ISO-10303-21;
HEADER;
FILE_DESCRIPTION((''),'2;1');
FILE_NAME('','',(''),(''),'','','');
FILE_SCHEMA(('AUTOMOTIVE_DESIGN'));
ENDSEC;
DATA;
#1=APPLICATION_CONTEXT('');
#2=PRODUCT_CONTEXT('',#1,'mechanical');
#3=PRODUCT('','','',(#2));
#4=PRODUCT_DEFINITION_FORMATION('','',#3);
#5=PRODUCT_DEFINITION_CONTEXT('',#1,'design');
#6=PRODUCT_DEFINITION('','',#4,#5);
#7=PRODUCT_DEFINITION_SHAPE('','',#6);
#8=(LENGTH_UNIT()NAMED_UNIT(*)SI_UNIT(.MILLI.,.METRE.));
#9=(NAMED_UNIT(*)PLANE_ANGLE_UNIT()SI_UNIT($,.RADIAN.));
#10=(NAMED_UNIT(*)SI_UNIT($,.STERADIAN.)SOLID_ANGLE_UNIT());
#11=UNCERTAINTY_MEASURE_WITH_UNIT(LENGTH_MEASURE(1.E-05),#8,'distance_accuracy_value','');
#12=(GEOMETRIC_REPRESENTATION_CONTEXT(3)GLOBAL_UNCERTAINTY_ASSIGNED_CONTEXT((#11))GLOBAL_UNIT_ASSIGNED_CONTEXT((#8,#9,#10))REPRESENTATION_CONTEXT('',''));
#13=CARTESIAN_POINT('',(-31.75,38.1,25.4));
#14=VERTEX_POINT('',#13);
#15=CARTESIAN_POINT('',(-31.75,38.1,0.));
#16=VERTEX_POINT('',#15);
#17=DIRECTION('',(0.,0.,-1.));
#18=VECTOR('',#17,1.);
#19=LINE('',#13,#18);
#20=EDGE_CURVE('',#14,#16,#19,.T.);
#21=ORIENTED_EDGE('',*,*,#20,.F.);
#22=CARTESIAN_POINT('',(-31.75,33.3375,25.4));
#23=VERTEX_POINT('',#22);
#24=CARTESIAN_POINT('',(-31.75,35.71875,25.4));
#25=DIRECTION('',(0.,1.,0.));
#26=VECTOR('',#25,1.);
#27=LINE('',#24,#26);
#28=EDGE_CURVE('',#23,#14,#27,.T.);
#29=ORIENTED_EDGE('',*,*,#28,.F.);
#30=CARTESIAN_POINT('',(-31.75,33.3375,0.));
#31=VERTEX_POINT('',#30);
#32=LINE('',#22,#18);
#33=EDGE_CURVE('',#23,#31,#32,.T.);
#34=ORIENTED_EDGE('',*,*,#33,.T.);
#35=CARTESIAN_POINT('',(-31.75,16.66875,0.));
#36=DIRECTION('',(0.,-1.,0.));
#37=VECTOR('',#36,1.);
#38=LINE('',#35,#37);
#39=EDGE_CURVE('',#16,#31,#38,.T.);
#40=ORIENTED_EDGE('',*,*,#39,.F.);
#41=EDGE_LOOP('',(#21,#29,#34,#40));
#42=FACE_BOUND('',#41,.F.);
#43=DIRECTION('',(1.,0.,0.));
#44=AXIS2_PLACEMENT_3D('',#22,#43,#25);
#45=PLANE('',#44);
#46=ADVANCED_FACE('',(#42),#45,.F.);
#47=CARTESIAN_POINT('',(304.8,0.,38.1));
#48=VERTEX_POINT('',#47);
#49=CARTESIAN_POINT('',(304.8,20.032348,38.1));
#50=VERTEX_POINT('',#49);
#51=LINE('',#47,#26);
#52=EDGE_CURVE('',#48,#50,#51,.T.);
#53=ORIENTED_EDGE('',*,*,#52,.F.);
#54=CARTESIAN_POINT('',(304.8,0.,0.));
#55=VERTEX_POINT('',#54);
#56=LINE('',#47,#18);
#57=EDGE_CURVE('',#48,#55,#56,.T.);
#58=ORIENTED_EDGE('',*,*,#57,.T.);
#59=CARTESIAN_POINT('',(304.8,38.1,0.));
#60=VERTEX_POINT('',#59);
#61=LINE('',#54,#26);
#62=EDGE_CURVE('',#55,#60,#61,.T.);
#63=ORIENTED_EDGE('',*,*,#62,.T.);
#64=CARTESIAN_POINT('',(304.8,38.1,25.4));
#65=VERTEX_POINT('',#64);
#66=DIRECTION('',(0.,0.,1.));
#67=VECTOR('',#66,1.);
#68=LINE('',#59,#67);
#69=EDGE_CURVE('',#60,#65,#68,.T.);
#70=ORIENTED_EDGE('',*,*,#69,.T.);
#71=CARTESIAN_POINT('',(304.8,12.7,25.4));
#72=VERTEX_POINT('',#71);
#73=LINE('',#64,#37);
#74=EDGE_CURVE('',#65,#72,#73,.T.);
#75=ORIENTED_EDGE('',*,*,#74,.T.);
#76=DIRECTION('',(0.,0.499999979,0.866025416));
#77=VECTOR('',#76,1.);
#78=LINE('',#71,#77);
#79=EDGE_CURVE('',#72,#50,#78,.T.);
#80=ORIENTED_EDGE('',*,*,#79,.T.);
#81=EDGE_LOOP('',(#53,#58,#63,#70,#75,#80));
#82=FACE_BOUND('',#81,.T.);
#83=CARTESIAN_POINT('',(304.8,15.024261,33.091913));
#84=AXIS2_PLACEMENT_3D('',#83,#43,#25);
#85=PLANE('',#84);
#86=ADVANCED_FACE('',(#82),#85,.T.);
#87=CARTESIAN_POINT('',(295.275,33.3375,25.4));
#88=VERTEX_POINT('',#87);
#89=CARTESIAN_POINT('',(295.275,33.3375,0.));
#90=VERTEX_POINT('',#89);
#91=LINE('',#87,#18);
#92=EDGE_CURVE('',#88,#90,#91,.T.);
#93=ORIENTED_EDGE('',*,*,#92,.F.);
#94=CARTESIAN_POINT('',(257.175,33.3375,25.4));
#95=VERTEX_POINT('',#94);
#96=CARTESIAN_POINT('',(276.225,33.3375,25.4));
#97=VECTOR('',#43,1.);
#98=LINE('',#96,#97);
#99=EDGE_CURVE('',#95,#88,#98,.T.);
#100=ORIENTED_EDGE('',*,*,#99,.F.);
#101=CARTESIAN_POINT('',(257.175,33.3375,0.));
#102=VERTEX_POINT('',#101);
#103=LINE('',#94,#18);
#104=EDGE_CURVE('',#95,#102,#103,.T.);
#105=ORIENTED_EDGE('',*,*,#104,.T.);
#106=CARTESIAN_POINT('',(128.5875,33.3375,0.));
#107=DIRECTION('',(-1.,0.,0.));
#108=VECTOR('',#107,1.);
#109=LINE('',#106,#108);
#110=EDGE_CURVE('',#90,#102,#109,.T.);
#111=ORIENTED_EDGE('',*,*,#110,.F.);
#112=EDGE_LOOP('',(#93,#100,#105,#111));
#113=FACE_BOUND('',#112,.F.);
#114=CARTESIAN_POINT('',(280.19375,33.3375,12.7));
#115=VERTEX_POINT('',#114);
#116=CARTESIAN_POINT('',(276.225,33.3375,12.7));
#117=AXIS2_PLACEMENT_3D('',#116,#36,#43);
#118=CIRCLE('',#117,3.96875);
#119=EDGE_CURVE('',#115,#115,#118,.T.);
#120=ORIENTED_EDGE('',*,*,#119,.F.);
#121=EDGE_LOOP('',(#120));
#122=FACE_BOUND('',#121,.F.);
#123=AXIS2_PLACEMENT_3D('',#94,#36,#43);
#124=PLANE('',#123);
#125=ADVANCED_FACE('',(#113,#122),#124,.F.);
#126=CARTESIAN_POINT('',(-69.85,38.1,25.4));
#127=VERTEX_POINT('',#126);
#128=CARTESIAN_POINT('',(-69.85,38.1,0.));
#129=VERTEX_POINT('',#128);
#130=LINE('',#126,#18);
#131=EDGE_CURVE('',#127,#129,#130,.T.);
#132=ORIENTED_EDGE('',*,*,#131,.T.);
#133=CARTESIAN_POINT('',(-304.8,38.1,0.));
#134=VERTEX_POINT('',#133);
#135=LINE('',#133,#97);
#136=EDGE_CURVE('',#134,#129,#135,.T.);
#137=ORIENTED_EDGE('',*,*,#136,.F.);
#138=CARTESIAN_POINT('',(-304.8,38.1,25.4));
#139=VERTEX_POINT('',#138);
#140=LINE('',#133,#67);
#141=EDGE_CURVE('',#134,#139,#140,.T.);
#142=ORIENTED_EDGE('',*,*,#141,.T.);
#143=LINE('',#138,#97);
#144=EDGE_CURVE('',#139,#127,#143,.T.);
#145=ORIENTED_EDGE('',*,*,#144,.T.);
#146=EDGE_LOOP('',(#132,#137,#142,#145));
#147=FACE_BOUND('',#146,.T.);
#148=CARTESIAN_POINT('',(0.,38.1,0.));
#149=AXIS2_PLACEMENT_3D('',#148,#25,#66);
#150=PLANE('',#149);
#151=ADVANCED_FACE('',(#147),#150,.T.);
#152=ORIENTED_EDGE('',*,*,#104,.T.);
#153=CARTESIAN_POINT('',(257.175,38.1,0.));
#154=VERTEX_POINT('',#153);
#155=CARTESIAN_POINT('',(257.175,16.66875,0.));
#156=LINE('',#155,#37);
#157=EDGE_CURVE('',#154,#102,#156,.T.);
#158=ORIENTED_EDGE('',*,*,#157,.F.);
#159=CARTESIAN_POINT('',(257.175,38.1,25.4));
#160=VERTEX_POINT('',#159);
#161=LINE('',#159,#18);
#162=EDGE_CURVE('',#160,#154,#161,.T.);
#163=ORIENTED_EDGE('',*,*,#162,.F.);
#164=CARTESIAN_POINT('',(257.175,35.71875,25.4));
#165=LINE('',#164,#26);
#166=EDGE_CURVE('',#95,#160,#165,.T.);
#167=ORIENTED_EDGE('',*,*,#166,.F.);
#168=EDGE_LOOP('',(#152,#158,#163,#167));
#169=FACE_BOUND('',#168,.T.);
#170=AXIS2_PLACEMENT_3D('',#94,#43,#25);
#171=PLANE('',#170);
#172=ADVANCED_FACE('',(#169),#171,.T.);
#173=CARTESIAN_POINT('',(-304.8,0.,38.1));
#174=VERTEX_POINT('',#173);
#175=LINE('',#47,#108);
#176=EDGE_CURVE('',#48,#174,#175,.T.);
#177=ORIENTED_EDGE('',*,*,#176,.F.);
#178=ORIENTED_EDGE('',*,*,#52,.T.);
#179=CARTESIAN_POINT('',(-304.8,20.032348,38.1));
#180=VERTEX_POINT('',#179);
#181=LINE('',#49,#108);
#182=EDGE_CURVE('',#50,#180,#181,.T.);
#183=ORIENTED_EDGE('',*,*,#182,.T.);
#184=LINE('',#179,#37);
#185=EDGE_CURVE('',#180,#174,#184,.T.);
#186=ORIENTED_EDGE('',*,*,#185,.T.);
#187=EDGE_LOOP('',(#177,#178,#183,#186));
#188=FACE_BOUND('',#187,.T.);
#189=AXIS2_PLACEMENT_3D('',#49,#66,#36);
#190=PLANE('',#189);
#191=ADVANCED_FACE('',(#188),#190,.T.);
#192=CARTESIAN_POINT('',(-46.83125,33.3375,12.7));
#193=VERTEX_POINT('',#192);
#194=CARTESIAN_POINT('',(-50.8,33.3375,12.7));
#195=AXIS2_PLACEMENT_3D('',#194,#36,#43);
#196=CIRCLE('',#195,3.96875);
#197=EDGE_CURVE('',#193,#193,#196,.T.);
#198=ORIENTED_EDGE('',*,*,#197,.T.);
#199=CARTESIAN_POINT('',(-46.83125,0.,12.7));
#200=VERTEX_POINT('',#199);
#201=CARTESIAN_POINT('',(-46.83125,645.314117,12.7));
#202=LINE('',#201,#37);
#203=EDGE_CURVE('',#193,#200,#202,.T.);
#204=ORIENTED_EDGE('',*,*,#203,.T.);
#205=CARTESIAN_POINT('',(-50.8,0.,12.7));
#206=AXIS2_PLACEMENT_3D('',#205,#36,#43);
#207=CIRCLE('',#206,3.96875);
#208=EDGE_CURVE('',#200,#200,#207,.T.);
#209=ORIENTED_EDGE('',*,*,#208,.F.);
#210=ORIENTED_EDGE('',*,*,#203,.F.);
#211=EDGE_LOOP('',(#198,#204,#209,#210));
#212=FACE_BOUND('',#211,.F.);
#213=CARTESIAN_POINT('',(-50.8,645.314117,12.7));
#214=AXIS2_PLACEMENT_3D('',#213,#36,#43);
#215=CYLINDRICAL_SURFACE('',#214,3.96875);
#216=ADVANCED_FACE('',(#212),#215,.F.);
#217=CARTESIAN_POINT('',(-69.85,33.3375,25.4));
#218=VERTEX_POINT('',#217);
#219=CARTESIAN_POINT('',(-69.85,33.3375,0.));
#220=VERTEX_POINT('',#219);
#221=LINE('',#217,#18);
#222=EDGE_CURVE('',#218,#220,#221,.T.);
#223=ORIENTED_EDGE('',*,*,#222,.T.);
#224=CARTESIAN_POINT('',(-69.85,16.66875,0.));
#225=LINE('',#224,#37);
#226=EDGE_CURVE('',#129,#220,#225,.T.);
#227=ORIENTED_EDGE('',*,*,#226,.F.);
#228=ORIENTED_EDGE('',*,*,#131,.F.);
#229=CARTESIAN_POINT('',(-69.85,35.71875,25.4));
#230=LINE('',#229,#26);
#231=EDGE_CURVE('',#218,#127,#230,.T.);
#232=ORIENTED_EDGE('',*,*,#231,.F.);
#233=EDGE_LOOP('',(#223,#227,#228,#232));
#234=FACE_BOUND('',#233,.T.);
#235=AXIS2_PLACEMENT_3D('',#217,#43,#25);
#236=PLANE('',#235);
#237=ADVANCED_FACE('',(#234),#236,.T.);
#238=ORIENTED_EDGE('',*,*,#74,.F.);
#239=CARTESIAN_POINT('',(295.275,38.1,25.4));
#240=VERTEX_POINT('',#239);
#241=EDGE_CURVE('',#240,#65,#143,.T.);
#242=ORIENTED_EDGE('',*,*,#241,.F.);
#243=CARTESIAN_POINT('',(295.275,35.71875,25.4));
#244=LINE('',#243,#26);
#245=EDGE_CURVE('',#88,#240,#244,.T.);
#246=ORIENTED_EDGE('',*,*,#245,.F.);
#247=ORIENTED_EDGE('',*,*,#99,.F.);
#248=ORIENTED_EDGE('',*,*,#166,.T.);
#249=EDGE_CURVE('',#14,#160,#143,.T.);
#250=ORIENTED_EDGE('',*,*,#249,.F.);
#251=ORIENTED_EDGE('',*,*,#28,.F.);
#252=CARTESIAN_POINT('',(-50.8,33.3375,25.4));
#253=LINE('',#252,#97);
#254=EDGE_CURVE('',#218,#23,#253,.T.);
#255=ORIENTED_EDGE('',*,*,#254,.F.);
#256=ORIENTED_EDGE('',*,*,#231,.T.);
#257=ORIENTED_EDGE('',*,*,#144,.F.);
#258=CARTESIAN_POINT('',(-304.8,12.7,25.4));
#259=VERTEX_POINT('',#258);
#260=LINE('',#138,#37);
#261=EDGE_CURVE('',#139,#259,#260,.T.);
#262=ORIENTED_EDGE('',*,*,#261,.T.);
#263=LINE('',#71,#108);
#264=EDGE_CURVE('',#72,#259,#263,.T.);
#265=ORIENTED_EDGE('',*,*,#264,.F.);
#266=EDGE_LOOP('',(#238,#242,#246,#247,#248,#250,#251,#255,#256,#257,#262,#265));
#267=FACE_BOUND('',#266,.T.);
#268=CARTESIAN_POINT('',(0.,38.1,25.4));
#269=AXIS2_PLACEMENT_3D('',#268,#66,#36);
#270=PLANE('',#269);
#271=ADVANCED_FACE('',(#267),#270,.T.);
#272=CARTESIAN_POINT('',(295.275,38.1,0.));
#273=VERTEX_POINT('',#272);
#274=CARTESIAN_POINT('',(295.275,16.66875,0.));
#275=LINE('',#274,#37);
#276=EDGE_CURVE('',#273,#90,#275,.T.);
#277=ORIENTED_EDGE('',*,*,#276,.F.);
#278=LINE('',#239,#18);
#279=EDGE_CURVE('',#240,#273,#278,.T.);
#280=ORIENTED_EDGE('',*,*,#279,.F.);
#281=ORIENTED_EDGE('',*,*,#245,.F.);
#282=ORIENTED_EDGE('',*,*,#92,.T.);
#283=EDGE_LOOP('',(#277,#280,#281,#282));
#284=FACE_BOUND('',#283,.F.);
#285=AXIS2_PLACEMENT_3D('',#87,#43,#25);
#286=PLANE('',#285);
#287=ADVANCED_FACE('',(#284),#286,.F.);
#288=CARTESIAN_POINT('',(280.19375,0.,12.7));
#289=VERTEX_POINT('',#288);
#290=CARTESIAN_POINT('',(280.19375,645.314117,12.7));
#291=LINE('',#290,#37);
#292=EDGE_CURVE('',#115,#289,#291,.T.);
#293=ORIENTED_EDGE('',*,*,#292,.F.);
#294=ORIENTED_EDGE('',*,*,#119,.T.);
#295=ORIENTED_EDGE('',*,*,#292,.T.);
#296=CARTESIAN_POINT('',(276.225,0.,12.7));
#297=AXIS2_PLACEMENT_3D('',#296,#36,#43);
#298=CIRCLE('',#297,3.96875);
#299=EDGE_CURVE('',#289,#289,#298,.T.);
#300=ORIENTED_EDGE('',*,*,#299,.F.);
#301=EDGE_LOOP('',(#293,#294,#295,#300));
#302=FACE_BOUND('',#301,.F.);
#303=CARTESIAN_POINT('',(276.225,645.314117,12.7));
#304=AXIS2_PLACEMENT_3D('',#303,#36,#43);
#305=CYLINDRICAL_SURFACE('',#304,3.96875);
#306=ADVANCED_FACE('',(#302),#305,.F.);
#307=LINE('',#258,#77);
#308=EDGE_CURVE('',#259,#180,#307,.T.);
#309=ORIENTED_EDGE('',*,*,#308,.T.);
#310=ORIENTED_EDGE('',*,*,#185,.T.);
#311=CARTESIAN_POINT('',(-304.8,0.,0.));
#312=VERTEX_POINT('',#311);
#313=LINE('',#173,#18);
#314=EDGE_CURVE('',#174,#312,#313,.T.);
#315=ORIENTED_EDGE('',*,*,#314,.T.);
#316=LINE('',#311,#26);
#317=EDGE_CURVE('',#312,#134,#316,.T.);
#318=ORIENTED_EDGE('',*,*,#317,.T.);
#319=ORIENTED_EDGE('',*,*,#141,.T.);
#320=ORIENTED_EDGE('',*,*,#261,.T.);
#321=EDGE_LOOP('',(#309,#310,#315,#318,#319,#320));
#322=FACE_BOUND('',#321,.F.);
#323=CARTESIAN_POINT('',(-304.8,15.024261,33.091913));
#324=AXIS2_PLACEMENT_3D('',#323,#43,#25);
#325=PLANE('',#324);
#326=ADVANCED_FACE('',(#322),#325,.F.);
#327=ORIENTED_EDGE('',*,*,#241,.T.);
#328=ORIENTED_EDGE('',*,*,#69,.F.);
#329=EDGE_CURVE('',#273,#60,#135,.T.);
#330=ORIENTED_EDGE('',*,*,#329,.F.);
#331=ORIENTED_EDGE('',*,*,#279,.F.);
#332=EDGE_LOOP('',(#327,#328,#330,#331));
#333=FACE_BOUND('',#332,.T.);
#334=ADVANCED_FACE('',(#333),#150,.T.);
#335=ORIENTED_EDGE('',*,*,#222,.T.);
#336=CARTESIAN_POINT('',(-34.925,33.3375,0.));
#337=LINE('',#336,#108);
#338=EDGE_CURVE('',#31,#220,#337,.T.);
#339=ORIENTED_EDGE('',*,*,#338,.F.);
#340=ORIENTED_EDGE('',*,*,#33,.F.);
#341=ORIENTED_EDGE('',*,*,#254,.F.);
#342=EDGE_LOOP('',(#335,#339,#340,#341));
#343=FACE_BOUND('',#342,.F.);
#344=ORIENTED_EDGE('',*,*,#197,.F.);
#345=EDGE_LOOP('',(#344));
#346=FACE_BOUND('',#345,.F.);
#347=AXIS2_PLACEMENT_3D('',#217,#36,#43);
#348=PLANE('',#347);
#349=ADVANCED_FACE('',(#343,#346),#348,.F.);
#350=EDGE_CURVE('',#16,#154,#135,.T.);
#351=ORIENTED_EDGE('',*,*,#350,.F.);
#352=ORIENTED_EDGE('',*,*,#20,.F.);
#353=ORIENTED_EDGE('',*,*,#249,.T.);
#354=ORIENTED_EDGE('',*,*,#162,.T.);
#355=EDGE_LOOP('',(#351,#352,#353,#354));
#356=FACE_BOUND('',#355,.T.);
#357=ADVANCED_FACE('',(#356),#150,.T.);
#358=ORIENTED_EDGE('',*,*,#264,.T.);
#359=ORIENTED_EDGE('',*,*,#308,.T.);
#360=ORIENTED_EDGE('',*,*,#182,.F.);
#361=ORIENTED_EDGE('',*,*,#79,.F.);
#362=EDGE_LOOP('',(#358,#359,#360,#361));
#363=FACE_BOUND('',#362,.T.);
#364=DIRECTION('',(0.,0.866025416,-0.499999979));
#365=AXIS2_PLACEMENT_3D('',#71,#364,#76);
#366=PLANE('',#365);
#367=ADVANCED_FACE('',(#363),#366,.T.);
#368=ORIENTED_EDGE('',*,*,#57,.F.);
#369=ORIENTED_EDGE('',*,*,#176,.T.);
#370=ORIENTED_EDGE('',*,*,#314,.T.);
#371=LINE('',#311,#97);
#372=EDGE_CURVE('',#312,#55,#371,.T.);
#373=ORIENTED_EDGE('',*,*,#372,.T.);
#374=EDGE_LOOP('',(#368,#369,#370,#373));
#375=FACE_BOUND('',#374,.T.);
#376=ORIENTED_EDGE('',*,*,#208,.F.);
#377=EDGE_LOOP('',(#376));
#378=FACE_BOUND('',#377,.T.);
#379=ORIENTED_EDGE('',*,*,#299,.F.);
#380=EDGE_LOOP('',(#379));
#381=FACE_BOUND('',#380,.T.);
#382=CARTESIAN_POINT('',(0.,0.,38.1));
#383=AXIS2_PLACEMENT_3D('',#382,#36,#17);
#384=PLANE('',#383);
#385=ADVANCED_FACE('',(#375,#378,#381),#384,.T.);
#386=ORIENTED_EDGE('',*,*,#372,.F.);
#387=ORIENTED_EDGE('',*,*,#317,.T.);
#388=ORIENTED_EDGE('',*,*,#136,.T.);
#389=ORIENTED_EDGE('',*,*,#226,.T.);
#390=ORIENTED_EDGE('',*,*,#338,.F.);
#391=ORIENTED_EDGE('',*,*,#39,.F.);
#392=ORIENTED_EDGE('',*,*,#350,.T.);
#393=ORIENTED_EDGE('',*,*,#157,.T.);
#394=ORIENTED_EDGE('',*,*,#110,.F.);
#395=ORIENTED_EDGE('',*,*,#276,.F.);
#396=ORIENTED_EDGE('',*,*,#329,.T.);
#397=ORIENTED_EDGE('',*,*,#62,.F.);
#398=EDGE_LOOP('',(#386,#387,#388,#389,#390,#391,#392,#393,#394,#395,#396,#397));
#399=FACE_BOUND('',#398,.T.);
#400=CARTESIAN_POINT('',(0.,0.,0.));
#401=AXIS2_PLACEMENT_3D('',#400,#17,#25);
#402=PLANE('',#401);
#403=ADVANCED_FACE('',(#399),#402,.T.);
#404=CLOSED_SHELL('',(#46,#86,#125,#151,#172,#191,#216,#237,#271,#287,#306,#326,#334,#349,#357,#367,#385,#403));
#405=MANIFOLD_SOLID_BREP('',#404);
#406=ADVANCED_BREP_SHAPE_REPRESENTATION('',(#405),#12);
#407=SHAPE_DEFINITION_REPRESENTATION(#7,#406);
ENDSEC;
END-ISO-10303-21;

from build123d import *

# Parameters (mm, degrees)
F1_DEPTH      = 304.8
F1_DEPTH_BACK = 304.8
F2_W          = 38.1
F2_H          = 4.7625
F3_DEPTH      = 25.401
F5_D          = 7.9375
F7_DEPTH      = 609.6


with BuildPart() as f1:
    # F0 (on Right) → F1 (new body, two sides)
    with BuildSketch(Plane.YZ) as f1_sk:
        Polygon((0, 38.1), (0, 0), (38.1, 0), (38.1, 25.4), (12.7, 25.4), (12.7, 38.1), align=None)
    extrude(amount=F1_DEPTH)
    extrude(f1_sk.sketch, amount=-F1_DEPTH_BACK)

    # F2 (on face) → F3 (cut, through all)
    with BuildSketch(Plane.XY.offset(25.4)):
        with Locations((-50.8, 35.71875)):
            Rectangle(F2_W, F2_H)
        with Locations((276.225, 35.71875)):
            Rectangle(F2_W, F2_H)
    extrude(amount=-F3_DEPTH, mode=Mode.SUBTRACT)

    # F5 (through all)
    with Locations(Plane(origin=(0, 33.3375, 0), x_dir=(-1, 0, 0), z_dir=(0, 1, 0))):
        with Locations((-276.225, 12.7), (50.8, 12.7)):
            Hole(F5_D / 2)

    # F6 (on face) → F7 (join, through all)
    with BuildSketch(Plane.YZ.offset(304.8)):
        Polygon((20.032348, 38.1), (12.7, 38.1), (12.7, 25.4), align=None)
    extrude(amount=-F7_DEPTH)


solid = f1.part
